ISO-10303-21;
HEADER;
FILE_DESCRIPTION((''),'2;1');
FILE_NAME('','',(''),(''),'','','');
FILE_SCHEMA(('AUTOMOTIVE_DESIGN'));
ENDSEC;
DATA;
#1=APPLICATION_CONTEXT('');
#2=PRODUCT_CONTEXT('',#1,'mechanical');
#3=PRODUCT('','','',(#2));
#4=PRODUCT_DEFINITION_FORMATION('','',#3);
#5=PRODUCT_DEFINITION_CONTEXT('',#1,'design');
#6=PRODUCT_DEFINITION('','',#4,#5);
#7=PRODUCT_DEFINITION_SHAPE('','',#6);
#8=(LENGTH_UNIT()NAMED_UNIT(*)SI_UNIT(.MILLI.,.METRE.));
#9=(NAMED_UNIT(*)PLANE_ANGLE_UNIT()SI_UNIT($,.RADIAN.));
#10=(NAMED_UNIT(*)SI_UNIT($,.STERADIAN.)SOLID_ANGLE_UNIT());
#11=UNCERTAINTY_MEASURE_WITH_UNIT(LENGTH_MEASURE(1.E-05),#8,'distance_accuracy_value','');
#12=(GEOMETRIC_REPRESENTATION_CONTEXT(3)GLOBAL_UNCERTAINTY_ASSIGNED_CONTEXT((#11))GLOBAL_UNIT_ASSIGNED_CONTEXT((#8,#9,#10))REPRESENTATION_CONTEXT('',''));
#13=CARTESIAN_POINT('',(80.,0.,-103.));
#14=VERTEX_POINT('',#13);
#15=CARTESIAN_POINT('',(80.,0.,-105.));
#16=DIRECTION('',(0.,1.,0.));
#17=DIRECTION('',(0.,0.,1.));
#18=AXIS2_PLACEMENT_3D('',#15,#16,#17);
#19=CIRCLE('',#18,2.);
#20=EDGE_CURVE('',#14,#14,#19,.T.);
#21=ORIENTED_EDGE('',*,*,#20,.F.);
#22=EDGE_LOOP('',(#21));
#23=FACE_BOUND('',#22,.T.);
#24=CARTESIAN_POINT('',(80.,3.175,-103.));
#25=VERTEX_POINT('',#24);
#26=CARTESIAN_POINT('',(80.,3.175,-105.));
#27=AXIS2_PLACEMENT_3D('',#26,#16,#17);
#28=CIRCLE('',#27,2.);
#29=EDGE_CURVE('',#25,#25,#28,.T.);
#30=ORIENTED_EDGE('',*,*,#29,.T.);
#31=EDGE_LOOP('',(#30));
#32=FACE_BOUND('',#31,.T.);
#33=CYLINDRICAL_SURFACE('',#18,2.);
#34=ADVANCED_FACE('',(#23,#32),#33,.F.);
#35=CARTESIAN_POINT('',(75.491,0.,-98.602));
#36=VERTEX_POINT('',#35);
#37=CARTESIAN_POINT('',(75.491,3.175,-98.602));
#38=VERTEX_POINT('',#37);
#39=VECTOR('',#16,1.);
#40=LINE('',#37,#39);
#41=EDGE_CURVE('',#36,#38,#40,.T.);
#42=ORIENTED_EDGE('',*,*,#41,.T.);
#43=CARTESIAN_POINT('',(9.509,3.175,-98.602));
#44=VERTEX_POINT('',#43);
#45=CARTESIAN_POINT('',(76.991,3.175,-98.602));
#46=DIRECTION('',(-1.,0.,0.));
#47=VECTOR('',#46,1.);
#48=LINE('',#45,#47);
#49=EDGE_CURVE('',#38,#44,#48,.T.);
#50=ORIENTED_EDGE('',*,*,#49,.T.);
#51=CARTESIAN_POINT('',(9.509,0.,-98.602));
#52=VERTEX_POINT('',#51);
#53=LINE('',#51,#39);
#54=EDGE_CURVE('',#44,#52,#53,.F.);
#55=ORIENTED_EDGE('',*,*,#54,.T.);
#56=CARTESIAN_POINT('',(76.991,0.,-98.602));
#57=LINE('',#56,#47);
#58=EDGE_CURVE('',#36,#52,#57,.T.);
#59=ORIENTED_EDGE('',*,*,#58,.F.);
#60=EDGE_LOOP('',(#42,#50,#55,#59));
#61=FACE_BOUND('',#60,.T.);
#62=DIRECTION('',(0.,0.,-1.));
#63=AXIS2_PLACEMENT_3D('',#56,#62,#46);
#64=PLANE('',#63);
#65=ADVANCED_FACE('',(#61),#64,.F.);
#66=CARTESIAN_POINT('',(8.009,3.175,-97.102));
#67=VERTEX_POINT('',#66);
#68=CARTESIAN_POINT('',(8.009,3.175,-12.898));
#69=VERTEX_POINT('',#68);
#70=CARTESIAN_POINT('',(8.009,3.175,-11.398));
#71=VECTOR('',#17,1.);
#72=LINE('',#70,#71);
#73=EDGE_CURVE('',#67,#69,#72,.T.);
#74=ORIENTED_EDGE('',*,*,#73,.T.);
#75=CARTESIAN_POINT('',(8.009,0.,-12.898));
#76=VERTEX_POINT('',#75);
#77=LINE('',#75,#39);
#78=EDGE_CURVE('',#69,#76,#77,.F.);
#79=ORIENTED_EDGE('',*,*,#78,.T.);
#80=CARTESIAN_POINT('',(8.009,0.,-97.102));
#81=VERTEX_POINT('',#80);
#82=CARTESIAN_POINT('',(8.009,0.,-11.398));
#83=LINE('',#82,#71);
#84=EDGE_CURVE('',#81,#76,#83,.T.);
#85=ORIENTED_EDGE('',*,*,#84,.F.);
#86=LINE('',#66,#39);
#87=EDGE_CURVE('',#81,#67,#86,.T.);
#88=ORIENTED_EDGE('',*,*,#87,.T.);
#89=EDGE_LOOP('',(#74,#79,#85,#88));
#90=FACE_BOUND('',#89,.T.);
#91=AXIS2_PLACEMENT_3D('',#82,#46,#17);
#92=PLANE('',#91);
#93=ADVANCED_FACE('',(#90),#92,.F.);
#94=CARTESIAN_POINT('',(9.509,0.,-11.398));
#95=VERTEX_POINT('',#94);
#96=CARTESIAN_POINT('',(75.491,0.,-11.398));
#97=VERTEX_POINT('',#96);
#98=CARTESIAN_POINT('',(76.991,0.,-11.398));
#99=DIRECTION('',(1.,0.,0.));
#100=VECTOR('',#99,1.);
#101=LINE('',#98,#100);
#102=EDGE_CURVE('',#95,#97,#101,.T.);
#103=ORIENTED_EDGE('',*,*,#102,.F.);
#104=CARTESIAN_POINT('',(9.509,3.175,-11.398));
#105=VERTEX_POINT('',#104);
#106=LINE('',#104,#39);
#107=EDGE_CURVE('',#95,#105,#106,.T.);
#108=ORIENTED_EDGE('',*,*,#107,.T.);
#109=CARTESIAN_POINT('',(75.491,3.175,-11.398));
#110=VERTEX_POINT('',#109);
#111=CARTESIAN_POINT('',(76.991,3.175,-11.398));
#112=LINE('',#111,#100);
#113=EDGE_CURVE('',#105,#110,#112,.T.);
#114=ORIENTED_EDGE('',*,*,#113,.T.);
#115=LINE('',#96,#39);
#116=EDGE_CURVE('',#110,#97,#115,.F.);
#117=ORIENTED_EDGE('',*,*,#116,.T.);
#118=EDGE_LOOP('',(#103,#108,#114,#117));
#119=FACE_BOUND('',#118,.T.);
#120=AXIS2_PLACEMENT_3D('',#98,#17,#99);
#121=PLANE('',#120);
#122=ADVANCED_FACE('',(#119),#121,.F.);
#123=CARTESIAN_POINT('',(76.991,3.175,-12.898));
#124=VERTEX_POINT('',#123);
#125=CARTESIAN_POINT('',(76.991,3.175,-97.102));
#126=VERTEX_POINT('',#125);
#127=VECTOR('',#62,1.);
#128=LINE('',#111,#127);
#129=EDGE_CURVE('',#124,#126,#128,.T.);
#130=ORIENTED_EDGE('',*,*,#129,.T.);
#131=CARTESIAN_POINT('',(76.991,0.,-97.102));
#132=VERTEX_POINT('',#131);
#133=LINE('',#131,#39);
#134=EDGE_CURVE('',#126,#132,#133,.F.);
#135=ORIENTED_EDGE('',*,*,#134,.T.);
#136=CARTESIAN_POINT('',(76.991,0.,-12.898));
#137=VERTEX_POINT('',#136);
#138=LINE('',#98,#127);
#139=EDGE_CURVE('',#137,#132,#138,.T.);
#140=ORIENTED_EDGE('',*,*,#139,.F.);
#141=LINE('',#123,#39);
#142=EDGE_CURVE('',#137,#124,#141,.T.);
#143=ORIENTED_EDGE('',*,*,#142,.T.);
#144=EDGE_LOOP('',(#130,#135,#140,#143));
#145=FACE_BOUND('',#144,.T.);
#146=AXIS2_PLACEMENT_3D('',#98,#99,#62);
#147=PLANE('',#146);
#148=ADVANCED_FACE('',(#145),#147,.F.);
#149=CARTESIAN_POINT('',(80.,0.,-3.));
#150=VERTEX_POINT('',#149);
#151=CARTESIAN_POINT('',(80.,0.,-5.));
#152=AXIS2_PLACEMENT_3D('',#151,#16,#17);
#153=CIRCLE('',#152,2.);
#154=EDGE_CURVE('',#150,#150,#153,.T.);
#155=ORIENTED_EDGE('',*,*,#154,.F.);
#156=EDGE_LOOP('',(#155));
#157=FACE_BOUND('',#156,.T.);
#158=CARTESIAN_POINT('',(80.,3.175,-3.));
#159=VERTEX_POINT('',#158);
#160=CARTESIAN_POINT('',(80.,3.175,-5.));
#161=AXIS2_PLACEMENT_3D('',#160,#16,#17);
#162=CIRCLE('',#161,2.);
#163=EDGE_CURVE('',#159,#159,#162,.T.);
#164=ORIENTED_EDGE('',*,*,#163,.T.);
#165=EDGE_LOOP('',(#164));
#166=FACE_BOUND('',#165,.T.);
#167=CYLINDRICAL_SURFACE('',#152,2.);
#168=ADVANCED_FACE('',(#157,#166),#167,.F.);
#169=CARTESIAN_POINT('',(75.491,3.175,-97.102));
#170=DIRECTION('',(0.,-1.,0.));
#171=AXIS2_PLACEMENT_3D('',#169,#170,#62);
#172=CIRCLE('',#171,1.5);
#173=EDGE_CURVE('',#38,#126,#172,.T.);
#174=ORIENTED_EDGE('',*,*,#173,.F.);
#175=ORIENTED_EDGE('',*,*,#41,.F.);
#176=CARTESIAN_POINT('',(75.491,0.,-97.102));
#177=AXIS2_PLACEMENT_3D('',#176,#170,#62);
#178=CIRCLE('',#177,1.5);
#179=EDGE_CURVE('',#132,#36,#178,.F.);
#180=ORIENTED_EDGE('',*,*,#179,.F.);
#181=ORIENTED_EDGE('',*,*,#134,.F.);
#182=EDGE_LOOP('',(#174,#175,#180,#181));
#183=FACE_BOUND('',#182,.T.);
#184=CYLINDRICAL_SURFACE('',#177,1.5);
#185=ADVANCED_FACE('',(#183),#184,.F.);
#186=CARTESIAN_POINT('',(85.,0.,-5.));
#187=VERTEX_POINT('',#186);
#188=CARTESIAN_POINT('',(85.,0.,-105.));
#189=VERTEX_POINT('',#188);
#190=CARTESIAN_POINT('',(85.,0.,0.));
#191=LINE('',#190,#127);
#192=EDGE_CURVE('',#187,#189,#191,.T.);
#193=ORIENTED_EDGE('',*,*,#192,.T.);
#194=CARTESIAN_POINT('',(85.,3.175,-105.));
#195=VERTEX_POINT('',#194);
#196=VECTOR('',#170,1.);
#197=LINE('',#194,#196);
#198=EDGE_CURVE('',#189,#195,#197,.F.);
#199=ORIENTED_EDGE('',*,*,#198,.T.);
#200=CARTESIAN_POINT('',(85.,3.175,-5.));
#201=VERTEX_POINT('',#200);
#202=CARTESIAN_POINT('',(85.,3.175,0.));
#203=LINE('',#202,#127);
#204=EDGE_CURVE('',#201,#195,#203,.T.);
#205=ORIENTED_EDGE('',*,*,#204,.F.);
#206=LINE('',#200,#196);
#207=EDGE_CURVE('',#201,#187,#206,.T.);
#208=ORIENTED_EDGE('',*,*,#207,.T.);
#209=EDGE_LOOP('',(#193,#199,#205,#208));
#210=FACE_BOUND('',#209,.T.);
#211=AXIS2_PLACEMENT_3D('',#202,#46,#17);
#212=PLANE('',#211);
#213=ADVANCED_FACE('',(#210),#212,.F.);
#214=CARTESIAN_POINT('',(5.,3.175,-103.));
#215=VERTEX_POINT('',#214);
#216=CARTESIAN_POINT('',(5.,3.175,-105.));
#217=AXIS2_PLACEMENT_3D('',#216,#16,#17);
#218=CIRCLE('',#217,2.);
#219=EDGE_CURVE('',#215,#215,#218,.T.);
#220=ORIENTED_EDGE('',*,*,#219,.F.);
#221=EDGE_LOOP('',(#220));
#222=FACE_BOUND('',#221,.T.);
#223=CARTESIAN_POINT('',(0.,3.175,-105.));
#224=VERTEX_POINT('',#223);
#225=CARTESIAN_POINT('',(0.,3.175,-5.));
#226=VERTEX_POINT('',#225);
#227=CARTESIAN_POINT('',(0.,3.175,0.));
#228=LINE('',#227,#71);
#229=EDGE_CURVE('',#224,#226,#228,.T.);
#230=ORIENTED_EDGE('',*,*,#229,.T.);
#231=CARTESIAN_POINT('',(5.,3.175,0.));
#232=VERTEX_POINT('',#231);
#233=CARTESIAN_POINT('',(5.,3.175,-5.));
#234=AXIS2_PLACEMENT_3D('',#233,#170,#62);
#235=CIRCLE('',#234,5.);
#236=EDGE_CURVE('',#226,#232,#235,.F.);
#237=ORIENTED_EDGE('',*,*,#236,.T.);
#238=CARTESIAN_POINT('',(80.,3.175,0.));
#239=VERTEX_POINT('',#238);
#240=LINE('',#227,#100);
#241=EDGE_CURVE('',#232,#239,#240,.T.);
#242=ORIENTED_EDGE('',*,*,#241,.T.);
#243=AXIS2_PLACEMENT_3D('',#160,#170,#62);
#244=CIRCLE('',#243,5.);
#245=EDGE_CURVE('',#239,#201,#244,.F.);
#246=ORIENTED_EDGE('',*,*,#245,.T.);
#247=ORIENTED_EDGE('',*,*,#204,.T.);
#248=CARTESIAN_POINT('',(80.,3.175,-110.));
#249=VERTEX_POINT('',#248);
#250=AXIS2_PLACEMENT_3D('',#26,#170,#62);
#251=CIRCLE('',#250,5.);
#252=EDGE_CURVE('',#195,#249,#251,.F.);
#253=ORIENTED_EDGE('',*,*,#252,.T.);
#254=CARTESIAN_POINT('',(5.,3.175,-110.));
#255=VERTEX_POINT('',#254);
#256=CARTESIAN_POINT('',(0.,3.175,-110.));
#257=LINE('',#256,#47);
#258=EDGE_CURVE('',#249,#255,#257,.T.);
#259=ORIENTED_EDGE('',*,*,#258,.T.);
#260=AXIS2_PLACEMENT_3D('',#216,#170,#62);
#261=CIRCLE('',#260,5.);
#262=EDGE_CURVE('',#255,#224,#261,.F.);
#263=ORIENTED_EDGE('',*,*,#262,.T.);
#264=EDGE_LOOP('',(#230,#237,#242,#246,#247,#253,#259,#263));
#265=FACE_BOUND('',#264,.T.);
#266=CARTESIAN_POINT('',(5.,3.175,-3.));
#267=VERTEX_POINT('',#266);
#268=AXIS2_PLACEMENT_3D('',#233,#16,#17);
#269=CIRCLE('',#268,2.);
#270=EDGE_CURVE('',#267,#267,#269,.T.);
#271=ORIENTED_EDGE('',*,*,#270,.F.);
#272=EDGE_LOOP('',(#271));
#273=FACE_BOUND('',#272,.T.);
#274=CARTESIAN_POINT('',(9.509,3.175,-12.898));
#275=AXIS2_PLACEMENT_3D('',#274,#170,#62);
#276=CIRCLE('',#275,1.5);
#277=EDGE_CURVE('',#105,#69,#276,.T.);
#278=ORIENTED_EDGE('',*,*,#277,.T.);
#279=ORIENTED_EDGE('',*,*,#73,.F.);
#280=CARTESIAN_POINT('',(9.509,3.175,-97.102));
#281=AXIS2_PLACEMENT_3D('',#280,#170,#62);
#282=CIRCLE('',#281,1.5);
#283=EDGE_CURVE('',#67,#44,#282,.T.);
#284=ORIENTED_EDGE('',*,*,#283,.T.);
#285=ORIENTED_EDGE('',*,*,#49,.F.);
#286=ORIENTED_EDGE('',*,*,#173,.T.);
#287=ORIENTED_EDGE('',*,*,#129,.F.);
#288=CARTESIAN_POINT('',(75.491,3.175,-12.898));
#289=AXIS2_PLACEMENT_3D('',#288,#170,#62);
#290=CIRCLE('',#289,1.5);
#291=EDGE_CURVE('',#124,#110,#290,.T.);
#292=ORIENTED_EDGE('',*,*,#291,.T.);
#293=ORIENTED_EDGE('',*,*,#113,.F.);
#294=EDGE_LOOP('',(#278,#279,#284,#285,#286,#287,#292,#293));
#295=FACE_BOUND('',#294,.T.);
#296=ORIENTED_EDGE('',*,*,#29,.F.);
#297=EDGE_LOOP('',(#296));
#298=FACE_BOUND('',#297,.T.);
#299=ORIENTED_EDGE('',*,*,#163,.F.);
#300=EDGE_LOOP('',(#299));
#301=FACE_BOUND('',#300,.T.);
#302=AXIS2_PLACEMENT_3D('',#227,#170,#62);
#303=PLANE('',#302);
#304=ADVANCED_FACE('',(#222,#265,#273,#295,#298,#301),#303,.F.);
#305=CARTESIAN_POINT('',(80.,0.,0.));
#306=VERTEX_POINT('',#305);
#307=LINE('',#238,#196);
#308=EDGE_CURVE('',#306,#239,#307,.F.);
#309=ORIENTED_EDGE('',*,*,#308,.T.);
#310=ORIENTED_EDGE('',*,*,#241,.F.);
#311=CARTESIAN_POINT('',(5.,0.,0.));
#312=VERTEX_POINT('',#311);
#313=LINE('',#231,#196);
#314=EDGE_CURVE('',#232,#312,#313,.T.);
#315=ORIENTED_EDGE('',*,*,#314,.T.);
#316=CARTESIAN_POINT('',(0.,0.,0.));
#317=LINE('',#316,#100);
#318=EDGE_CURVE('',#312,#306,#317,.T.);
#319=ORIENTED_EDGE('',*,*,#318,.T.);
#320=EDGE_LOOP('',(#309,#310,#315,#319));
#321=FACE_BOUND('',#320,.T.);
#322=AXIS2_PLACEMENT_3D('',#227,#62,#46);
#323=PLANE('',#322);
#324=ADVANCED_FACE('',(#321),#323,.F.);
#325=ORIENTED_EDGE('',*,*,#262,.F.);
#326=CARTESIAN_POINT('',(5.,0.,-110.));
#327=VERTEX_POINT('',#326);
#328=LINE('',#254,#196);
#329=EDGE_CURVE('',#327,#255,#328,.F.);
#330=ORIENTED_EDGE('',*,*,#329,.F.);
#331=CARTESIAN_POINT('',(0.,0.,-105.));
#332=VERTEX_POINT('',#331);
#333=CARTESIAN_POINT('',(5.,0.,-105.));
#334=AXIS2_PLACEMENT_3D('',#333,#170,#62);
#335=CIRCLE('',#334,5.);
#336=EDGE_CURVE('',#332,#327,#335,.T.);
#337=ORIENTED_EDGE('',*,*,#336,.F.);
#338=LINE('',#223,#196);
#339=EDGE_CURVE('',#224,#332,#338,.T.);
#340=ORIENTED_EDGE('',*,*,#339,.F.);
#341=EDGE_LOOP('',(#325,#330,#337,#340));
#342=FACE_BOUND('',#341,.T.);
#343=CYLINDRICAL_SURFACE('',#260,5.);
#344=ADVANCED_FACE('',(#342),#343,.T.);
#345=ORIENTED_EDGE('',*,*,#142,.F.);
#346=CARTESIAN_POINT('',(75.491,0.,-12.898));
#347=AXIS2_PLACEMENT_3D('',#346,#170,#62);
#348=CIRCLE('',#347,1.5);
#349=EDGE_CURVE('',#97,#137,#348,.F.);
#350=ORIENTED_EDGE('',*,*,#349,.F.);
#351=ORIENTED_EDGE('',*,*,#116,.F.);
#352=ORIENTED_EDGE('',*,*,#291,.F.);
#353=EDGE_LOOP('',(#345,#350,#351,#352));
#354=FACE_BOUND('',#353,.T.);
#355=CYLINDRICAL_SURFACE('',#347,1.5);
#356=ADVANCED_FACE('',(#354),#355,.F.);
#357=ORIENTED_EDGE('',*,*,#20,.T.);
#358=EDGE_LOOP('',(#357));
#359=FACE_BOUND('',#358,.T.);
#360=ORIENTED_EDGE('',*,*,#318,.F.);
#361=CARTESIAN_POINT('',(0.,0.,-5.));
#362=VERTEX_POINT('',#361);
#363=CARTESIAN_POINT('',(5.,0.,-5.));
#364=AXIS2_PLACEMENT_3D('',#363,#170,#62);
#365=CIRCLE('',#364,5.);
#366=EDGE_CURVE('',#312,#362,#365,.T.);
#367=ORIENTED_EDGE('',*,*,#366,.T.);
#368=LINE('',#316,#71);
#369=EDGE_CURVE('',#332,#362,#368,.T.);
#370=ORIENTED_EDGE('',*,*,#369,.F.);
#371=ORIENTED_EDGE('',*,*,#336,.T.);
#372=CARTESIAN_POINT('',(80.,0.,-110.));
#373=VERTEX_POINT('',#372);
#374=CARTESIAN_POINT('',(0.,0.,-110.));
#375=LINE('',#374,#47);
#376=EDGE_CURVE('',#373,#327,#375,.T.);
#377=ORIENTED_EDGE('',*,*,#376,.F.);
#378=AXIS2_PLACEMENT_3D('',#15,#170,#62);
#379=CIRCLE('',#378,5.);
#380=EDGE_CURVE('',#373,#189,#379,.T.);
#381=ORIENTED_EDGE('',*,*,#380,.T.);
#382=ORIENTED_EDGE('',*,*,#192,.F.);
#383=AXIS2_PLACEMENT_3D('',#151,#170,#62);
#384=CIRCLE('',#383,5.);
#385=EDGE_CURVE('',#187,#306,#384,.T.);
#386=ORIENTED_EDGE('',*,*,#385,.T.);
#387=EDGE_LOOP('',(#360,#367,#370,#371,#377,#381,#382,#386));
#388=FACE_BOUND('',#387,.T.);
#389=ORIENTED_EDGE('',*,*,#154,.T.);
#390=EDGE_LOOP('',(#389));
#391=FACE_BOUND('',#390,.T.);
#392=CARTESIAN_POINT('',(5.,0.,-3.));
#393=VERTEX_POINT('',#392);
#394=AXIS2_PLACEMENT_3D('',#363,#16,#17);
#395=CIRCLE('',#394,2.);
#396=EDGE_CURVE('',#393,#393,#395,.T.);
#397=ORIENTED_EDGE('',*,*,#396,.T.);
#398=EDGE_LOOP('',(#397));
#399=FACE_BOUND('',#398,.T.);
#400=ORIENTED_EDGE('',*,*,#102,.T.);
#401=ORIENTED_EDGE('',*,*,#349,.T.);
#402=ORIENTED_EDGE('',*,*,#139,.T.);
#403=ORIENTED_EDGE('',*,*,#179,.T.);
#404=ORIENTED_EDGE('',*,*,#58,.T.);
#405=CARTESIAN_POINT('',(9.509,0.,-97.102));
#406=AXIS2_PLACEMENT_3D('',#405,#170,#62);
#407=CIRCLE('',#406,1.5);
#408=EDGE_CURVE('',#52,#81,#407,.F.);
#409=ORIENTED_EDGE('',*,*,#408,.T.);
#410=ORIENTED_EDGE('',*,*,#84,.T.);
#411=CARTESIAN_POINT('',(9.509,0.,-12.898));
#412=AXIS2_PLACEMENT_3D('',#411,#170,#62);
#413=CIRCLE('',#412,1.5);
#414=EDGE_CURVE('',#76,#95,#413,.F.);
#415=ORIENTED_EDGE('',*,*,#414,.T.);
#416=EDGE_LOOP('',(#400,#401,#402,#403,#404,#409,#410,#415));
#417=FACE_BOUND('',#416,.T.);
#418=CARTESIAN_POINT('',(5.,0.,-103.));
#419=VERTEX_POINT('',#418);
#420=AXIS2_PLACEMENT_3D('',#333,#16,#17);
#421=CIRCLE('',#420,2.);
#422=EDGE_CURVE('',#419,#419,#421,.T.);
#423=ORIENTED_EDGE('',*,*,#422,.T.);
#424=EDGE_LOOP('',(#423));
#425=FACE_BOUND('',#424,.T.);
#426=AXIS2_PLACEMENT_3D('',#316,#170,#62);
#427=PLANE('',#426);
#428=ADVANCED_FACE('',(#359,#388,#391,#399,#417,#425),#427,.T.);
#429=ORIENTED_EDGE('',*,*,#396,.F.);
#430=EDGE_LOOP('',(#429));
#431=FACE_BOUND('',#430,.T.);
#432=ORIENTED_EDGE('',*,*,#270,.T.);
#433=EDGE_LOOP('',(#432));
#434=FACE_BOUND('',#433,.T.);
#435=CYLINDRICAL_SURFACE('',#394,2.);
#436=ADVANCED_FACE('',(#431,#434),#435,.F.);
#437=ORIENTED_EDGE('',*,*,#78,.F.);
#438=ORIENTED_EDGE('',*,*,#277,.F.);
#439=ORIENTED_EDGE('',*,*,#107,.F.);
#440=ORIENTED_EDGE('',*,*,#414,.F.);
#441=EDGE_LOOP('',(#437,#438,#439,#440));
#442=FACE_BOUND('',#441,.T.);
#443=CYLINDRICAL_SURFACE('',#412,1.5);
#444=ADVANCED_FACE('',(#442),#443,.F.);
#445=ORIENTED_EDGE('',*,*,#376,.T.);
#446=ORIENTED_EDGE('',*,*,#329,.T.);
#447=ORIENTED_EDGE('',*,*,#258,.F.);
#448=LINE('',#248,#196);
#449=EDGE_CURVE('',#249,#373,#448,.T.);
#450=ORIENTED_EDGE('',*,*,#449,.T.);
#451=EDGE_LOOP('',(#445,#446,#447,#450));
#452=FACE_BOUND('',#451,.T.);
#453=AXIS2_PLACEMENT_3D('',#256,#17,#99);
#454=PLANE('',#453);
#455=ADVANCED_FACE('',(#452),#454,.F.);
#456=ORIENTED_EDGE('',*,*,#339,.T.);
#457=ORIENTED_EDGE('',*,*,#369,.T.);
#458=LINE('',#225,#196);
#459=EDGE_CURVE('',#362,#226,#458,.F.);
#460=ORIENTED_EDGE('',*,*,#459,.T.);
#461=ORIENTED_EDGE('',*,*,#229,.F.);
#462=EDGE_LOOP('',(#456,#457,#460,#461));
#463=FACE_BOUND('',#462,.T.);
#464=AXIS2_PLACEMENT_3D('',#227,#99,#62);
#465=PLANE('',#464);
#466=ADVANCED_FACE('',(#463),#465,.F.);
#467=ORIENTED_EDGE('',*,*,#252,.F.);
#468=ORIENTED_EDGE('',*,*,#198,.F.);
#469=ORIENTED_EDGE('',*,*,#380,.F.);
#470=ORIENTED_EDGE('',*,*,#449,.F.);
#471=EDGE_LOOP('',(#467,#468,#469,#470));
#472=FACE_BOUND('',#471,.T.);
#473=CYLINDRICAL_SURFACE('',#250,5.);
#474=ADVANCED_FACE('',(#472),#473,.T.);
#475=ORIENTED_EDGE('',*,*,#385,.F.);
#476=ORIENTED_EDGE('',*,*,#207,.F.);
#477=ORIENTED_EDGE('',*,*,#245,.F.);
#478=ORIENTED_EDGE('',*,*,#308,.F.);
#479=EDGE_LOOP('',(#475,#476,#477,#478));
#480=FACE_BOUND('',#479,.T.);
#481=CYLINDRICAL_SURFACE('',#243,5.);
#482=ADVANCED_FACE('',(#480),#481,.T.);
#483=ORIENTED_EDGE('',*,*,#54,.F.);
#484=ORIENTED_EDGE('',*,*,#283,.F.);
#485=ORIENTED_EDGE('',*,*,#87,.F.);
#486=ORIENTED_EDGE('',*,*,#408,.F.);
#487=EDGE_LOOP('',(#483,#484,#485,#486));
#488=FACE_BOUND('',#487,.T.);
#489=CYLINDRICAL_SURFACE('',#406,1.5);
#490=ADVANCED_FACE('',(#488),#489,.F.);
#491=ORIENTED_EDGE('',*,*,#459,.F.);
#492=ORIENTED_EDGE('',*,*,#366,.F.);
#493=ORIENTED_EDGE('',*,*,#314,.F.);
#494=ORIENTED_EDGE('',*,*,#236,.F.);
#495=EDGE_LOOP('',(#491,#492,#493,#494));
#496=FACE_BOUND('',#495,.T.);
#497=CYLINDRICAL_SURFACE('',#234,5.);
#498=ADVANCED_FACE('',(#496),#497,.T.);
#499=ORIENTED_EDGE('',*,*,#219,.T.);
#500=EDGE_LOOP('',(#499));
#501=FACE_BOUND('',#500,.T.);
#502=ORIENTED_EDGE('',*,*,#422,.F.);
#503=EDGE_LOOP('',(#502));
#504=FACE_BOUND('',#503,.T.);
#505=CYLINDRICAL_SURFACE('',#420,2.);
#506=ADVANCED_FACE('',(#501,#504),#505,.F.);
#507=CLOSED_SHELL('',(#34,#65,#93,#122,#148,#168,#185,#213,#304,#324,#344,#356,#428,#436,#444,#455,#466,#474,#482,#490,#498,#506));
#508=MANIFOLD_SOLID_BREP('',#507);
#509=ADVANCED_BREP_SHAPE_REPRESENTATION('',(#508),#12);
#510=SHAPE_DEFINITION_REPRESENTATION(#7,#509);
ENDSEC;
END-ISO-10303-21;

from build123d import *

# Parameters (mm, degrees)
SKETCH1_W           = 85
SKETCH1_H           = 110
BOSS_EXTRUDE1_DEPTH = 3.175
FILLET1_R           = 5
SKETCH3_W           = 68.982
SKETCH3_H           = 87.204
CUT_EXTRUDE3_DEPTH  = 140.050640506
FILLET2_R           = 1.5
SKETCH5_R           = 2
CUT_EXTRUDE4_DEPTH  = 140.050640506


with BuildPart() as part:
    # Sketch1 → Boss-Extrude1 (new body)
    with BuildSketch(Plane(origin=(0, 0, 0), x_dir=(1, 0, 0), z_dir=(0, 1, 0))):
        with Locations((42.5, 55)):
            Rectangle(SKETCH1_W, SKETCH1_H)
    extrude(amount=BOSS_EXTRUDE1_DEPTH)

    # Fillet1
    fillet1_edges = [part.edges().sort_by_distance(p)[0] for p in [
        (0, 1.5875, -110),
        (85, 1.5875, -110),
        (85, 1.5875, 0),
        (0, 1.5875, 0),
    ]]
    fillet(fillet1_edges, radius=FILLET1_R)

    # Sketch3 → Cut-Extrude3 (cut, through all)
    with BuildSketch(Plane(origin=(0, 3.175, 0), x_dir=(1, 0, 0), z_dir=(0, 1, 0))):
        with Locations((42.5, 55)):
            Rectangle(SKETCH3_W, SKETCH3_H)
    extrude(amount=-CUT_EXTRUDE3_DEPTH, mode=Mode.SUBTRACT)

    # Fillet2
    fillet2_edges = [part.edges().sort_by_distance(p)[0] for p in [
        (76.991, 1.5875, -98.602),
        (76.991, 1.5875, -11.398),
        (8.009, 1.5875, -11.398),
        (8.009, 1.5875, -98.602),
    ]]
    fillet(fillet2_edges, radius=FILLET2_R)

    # Sketch5 → Cut-Extrude4 (cut, through all)
    with BuildSketch(Plane(origin=(0, 3.175, 0), x_dir=(1, 0, 0), z_dir=(0, 1, 0))):
        with Locations(Location((5, 5, 0), (0, 0, 270))):
            Circle(SKETCH5_R)
        with Locations(Location((80, 5, 0), (0, 0, 270))):
            Circle(SKETCH5_R)
        with Locations(Location((80, 105, 0), (0, 0, 270))):
            Circle(SKETCH5_R)
        with Locations(Location((5, 105, 0), (0, 0, 270))):
            Circle(SKETCH5_R)
    extrude(amount=-CUT_EXTRUDE4_DEPTH, mode=Mode.SUBTRACT)


solid = part.part
